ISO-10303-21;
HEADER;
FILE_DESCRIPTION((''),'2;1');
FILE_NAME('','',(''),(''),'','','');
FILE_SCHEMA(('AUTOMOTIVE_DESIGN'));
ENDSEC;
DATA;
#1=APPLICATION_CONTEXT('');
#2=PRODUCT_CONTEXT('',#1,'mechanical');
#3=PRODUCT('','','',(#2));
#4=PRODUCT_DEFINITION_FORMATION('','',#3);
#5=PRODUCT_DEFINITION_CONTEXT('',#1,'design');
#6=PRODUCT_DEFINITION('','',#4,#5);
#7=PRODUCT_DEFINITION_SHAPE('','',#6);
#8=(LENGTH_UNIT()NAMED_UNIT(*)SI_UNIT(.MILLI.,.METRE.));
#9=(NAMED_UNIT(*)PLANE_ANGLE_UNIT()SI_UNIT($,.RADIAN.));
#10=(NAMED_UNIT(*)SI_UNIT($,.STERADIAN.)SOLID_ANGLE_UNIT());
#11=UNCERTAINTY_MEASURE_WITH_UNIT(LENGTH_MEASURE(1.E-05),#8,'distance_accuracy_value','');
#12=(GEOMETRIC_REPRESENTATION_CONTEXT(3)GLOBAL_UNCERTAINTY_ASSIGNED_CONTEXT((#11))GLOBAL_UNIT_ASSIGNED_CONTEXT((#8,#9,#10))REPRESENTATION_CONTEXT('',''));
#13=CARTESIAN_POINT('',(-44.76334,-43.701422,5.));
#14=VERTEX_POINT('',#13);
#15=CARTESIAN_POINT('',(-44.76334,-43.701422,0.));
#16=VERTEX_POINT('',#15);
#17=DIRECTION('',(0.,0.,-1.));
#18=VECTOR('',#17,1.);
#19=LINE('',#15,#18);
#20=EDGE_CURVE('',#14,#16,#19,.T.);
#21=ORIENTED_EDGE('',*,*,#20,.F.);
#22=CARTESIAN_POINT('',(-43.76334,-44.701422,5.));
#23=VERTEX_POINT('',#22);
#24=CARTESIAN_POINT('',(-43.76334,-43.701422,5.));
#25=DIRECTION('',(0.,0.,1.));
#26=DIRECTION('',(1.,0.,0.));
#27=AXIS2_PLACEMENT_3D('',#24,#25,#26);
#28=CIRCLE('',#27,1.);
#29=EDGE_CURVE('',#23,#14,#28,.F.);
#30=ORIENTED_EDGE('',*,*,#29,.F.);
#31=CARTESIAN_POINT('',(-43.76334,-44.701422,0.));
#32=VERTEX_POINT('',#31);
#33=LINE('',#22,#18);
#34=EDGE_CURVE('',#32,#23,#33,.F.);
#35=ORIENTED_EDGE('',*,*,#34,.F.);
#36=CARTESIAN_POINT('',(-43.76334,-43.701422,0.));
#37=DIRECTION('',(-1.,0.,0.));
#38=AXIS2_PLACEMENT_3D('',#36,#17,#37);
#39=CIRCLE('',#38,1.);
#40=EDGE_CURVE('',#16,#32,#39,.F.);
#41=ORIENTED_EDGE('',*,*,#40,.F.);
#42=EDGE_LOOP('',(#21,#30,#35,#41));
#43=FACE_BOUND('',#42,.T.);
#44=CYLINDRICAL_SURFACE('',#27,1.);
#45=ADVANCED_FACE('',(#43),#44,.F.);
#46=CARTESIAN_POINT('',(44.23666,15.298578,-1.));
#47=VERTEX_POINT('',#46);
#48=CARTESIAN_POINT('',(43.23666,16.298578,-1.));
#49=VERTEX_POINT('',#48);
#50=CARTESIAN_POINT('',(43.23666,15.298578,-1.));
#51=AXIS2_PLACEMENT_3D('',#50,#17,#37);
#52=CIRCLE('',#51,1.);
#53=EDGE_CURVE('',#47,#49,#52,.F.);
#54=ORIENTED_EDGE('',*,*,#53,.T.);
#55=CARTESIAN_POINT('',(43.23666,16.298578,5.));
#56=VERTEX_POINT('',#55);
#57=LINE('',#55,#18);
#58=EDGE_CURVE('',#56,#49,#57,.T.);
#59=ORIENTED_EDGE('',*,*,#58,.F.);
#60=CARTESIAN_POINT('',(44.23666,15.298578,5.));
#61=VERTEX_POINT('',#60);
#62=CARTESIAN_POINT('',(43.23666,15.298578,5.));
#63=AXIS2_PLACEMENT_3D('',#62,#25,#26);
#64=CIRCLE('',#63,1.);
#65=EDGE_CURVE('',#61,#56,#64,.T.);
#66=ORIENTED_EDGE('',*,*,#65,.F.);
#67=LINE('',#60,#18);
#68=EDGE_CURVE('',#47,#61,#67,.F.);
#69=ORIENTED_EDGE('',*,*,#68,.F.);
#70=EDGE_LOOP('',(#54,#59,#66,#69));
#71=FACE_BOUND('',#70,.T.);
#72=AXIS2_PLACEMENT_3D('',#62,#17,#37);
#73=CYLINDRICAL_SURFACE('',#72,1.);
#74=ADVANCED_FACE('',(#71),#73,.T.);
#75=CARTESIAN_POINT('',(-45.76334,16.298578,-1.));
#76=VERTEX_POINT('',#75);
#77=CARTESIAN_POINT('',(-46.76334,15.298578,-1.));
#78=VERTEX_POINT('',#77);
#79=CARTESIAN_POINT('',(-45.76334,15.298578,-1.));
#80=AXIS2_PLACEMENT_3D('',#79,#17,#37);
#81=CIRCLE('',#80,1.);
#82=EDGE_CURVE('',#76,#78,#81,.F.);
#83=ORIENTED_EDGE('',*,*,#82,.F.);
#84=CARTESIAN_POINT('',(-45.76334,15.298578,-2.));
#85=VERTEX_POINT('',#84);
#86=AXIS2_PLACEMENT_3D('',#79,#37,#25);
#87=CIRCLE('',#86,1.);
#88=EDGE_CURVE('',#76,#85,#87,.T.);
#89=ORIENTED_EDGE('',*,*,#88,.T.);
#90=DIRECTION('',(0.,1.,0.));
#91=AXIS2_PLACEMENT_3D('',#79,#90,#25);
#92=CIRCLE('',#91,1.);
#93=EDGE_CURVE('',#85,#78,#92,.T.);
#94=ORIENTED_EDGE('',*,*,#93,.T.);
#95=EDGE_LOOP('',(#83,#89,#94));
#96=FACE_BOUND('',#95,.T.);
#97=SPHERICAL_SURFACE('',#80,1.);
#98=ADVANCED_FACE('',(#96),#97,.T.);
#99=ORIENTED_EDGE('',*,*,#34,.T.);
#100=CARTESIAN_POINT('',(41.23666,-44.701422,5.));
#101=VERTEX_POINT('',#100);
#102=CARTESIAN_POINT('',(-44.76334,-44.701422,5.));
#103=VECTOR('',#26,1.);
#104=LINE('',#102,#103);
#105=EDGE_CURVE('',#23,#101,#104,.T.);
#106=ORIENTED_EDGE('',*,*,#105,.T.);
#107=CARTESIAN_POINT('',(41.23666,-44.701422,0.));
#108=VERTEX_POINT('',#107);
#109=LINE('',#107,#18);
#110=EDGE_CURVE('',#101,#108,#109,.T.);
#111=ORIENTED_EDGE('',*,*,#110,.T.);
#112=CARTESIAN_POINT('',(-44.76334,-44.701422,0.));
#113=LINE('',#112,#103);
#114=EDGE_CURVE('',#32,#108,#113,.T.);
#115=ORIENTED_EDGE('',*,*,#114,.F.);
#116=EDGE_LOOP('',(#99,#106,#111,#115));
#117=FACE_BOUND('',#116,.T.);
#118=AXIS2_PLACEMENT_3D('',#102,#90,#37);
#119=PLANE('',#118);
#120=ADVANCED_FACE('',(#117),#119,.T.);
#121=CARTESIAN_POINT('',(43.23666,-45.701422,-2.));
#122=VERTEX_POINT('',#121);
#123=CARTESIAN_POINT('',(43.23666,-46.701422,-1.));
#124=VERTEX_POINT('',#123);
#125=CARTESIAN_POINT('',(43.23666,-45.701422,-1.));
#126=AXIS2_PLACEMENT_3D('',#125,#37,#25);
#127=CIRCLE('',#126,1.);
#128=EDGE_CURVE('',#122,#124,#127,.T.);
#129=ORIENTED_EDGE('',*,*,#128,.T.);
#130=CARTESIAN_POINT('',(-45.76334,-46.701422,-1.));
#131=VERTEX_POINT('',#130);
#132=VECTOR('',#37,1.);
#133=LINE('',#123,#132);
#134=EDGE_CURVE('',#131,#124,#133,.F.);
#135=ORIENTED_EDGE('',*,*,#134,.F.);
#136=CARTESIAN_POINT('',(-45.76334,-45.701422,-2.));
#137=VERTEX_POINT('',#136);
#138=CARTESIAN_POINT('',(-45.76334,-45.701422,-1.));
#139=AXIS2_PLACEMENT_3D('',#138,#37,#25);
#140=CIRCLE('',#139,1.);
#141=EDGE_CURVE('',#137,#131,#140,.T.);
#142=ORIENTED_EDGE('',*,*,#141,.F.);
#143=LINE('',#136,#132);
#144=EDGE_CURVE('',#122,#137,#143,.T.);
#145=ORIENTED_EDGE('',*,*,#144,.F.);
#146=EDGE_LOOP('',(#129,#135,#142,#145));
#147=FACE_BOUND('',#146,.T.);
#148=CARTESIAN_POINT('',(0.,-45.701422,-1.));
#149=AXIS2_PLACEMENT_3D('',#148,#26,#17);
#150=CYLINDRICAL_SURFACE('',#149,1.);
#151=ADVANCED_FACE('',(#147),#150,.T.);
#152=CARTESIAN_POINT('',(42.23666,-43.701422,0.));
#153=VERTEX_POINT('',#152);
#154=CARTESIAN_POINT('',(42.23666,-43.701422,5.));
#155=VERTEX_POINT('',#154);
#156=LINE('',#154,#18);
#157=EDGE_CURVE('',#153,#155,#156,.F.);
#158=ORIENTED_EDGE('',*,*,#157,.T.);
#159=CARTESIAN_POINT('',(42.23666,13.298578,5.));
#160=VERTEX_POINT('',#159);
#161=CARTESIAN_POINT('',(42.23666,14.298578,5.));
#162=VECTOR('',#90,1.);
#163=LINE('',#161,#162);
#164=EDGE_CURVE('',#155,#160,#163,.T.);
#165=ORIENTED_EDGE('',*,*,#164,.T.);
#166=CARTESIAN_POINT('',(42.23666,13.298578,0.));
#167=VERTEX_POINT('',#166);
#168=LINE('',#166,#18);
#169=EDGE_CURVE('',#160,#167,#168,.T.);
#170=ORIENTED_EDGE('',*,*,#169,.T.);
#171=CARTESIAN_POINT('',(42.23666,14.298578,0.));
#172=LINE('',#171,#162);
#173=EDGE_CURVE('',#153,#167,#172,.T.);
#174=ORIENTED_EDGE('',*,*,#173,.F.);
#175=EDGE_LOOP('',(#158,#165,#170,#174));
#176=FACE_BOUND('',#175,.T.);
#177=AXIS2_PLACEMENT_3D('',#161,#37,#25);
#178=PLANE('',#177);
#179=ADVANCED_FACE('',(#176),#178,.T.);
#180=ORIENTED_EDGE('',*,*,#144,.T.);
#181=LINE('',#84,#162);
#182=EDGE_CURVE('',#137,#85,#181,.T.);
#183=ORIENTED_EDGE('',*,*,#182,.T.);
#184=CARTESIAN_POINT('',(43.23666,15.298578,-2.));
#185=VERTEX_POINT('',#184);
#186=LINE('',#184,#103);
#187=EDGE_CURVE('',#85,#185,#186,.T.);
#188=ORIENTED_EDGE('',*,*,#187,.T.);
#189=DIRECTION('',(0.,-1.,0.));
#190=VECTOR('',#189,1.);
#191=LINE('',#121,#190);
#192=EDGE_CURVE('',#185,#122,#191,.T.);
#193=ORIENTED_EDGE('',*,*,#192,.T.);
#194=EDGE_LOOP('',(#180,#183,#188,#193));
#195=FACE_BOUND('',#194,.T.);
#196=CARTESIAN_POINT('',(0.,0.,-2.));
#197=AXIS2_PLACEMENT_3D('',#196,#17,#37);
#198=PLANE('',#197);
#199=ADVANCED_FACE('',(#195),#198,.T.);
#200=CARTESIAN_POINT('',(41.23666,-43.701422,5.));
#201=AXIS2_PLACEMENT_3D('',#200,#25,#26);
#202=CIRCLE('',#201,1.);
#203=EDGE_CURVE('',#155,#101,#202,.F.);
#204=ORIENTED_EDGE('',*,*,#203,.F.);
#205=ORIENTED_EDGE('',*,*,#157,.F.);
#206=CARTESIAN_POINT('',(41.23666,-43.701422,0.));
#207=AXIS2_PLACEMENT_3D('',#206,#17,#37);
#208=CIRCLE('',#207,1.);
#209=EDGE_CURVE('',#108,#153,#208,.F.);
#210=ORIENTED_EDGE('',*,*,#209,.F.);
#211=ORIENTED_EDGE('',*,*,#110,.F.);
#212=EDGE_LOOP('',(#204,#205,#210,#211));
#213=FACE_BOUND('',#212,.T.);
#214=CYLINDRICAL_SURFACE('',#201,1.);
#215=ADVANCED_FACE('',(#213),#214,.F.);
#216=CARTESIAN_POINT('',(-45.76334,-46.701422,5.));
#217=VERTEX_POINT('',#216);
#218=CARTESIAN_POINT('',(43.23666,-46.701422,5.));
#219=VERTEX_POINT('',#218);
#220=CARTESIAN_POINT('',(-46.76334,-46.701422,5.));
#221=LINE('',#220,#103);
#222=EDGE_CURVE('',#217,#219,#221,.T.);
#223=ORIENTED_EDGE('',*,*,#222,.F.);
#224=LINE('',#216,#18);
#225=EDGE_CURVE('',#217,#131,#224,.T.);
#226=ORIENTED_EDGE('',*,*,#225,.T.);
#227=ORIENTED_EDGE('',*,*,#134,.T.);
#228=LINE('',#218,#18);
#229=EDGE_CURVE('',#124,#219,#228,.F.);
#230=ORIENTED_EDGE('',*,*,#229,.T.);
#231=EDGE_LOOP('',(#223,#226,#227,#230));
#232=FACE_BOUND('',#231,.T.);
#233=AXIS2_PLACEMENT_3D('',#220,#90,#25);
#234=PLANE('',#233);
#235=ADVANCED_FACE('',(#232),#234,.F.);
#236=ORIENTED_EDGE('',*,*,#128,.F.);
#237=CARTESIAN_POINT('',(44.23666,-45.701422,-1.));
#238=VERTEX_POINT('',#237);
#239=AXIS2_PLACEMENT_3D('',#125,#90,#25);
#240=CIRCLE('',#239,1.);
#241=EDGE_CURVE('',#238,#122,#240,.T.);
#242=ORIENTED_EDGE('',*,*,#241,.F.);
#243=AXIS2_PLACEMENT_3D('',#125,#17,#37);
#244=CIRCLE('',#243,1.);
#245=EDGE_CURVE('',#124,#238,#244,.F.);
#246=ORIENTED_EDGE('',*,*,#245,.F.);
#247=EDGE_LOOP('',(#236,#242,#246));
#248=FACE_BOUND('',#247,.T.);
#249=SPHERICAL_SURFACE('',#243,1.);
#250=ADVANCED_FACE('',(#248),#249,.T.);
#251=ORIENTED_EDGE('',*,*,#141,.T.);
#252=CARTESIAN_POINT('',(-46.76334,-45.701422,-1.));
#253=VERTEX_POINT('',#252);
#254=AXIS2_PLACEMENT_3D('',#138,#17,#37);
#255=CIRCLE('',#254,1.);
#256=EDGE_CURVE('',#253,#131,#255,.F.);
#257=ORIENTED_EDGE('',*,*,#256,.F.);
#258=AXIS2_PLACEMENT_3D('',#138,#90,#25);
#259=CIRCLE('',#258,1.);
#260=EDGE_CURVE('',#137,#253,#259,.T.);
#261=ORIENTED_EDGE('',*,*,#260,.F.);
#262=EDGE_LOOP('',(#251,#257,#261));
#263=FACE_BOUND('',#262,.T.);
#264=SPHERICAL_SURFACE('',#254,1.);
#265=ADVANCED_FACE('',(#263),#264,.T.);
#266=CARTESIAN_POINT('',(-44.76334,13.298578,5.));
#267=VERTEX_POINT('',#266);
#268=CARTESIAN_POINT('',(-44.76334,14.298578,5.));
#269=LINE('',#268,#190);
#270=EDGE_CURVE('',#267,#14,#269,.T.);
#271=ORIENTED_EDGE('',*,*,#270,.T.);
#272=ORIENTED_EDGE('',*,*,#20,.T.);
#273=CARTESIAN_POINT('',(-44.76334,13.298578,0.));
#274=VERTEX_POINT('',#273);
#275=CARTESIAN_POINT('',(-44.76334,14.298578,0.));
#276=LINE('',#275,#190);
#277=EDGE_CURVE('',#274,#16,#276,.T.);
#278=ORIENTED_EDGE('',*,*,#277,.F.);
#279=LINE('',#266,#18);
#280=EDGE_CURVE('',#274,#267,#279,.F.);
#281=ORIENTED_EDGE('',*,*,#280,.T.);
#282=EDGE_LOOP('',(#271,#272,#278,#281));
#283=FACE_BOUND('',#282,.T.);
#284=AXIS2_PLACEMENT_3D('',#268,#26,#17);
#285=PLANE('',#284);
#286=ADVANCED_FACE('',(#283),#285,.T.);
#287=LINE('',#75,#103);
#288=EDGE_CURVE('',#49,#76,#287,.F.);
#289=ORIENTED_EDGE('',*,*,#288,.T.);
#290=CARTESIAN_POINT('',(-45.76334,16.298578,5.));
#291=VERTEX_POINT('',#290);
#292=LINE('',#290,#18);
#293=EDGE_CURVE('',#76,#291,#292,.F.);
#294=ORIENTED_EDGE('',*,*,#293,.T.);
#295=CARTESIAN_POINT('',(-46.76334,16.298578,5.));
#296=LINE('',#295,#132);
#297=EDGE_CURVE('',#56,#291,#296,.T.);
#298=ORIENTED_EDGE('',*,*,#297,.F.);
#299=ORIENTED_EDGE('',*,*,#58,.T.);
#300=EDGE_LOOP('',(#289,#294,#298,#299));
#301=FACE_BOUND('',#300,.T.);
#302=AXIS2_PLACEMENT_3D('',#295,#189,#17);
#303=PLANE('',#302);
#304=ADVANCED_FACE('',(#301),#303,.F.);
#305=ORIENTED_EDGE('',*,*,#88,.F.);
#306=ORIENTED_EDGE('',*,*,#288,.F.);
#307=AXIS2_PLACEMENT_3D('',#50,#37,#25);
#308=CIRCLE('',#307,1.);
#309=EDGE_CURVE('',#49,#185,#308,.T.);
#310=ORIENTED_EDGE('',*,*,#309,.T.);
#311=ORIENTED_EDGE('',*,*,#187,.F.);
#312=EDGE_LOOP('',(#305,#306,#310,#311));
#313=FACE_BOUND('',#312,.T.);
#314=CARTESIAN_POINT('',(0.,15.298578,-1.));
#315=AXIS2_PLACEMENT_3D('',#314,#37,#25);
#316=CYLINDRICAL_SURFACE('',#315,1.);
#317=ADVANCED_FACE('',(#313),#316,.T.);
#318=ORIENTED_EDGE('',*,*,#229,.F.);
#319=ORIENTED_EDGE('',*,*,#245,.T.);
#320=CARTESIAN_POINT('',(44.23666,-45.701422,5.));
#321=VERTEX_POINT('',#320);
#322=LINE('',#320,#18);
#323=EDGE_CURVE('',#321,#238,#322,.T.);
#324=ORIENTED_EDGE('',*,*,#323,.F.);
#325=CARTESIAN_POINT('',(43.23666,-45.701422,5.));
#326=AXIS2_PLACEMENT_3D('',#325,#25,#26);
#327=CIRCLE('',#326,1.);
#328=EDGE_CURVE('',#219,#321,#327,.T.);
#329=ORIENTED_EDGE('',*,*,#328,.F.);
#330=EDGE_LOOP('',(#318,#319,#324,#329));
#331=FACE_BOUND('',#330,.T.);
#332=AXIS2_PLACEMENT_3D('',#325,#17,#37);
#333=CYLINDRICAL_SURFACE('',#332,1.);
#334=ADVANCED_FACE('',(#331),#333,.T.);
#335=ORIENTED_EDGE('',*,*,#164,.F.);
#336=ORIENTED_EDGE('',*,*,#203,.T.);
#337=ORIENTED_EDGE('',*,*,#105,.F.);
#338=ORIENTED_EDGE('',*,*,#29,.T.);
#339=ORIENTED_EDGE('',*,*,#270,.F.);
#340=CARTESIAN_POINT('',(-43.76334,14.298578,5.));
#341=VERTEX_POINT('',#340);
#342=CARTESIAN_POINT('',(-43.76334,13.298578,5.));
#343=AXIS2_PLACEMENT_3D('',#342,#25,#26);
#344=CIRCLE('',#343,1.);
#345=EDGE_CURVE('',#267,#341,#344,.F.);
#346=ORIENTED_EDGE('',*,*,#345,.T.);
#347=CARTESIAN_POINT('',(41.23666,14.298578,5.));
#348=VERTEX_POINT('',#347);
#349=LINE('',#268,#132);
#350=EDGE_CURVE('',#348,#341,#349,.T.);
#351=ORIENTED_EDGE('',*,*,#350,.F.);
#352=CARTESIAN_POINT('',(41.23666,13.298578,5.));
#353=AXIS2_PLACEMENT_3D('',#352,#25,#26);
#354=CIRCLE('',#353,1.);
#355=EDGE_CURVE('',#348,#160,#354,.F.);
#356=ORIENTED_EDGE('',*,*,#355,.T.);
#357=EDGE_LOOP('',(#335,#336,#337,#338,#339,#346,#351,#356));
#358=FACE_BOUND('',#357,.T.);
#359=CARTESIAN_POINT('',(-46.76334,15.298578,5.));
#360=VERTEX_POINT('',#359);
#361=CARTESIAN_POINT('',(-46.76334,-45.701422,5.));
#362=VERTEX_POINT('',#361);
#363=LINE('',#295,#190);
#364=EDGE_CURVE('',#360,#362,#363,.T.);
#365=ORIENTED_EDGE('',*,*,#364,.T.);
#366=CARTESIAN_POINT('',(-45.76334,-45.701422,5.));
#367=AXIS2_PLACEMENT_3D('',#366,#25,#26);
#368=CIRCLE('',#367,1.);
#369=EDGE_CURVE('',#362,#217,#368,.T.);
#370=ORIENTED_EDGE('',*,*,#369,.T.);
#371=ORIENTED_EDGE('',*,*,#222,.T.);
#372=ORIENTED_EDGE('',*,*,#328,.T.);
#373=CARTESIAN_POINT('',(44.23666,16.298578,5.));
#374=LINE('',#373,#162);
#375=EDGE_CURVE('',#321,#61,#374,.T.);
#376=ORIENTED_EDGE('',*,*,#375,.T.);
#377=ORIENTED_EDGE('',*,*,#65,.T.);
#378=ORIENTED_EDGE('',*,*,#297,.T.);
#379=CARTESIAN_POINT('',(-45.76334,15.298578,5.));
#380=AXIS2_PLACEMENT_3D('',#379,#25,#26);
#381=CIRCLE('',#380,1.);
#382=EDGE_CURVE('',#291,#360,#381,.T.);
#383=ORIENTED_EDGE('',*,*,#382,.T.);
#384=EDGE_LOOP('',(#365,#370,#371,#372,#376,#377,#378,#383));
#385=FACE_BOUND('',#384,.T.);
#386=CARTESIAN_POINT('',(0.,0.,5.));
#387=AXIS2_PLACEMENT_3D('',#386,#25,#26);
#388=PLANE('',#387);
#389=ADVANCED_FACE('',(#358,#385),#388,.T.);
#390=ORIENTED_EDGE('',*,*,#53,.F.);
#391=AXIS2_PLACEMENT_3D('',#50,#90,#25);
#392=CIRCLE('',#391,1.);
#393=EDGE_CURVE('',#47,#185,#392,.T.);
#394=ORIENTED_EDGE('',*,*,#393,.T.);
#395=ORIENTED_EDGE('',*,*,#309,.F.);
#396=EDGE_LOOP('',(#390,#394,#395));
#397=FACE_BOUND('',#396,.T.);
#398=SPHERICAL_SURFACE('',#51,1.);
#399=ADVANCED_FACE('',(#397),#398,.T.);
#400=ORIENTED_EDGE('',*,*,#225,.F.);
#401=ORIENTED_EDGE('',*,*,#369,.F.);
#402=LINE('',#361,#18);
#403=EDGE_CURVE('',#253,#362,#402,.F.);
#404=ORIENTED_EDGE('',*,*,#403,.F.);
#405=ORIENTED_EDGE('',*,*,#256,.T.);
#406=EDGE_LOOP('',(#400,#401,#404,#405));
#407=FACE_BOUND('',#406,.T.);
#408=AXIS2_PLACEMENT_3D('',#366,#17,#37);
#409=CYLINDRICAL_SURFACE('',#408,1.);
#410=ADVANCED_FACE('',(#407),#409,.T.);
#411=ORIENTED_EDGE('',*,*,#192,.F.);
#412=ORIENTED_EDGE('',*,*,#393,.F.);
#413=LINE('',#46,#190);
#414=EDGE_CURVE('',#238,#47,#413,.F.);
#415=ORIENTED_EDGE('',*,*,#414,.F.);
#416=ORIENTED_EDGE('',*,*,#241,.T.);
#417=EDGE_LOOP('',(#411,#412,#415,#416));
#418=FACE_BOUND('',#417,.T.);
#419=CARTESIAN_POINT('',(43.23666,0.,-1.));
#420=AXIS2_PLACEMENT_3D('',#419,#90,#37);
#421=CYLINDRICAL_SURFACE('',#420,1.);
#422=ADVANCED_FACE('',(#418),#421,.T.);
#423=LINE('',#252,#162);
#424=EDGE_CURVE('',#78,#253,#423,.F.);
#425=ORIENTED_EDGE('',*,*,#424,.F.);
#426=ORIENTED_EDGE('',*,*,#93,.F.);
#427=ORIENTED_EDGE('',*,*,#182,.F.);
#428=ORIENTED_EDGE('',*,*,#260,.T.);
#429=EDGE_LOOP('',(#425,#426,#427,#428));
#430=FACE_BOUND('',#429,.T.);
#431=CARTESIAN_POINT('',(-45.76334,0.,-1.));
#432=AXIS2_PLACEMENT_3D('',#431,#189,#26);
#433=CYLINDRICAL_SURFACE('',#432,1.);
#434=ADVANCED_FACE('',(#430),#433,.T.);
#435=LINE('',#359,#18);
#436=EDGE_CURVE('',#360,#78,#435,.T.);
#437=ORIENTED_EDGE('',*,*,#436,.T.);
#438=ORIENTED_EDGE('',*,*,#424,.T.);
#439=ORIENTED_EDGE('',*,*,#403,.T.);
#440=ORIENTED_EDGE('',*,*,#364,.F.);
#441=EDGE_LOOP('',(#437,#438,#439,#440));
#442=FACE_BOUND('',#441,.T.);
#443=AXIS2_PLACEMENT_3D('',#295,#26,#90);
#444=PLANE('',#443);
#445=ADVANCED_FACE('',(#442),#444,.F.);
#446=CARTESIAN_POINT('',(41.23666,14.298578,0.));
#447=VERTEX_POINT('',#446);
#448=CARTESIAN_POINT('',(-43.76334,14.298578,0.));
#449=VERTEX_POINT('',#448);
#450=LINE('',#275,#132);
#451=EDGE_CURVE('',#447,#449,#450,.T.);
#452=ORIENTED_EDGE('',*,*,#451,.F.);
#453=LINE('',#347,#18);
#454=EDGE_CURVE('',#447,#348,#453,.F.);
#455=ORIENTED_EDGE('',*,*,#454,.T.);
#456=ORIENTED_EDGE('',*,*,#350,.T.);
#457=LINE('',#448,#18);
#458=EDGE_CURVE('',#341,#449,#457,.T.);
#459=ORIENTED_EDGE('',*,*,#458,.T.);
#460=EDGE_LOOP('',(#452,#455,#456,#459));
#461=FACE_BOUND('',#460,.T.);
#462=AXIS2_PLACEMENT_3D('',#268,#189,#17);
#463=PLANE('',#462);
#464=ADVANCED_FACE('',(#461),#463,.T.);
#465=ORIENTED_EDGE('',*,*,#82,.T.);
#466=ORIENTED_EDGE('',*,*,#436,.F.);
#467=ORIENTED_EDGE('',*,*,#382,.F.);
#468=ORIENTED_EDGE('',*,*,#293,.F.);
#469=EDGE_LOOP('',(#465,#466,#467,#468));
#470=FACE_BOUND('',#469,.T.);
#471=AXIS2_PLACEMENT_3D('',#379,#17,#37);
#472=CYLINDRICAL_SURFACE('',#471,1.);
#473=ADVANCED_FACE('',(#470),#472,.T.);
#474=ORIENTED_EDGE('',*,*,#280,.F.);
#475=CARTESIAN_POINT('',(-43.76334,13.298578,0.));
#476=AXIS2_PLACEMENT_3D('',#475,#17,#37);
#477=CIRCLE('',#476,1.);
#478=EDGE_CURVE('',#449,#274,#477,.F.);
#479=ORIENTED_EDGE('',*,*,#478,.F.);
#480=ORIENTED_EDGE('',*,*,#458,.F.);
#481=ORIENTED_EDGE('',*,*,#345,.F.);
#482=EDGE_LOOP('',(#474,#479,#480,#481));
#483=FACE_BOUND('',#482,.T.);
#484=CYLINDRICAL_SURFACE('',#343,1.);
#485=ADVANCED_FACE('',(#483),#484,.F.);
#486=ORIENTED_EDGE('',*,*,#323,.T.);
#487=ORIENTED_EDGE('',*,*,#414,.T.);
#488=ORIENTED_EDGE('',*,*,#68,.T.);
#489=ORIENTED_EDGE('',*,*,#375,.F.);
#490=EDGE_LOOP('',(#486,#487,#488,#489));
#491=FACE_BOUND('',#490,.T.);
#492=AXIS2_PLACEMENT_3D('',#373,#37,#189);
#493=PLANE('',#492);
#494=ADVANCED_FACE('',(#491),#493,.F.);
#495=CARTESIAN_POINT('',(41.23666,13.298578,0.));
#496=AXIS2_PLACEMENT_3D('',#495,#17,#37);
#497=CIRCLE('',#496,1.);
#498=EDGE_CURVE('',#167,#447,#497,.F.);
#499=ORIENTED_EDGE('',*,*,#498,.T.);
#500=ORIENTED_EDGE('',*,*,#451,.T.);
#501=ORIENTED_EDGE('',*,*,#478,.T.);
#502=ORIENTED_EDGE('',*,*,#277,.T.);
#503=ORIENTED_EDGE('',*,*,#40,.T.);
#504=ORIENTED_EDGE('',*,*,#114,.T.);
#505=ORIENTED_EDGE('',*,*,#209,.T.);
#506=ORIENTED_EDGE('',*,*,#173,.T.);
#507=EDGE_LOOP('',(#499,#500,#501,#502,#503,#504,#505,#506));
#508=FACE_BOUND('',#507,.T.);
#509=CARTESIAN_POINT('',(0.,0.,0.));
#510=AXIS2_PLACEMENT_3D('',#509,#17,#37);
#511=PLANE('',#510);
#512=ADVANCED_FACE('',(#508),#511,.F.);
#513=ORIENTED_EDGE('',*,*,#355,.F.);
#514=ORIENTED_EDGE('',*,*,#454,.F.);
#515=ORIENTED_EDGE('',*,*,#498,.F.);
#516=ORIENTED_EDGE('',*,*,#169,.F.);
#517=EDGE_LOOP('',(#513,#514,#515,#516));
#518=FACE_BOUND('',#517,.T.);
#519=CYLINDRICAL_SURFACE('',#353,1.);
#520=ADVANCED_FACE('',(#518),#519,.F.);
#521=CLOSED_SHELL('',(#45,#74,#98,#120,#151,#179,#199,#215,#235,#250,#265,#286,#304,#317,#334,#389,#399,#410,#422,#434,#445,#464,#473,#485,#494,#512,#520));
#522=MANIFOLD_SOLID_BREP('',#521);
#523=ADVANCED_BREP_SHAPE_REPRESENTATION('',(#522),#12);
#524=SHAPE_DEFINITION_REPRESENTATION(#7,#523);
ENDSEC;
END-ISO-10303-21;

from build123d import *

# Parameters (mm, degrees)
ESBO_O1_W                = 91
ESBO_O1_H                = 63
ESBO_O1_W_2              = 87
ESBO_O1_H_2              = 59
RESSALTO_EXTRUS_O1_DEPTH = 5
ESBO_O2_W                = 91
ESBO_O2_H                = 63
RESSALTO_EXTRUS_O2_DEPTH = 2
FILETE6_R                = 1
FILETE7_R                = 1
FILETE10_R               = 1
FILETE11_R               = 1
FILETE12_R               = 1


with BuildPart() as part:
    # Esboço1 → Ressalto-extrusão1 (new body)
    with BuildSketch(Plane.XY):
        with Locations((-1.263340114, -15.201421801)):
            Rectangle(ESBO_O1_W, ESBO_O1_H)
        with Locations((-1.263340114, -15.201421801)):
            Rectangle(ESBO_O1_W_2, ESBO_O1_H_2, mode=Mode.SUBTRACT)
    extrude(amount=RESSALTO_EXTRUS_O1_DEPTH)

    # Esboço2 → Ressalto-extrusão2 (add)
    with BuildSketch(Plane(origin=(0, 0, 0), x_dir=(-1, 0, 0), z_dir=(0, 0, -1))):
        with Locations((1.263340114, -15.201421801)):
            Rectangle(ESBO_O2_W, ESBO_O2_H)
    extrude(amount=RESSALTO_EXTRUS_O2_DEPTH)

    # Filete6
    filete6_edges = [part.edges().sort_by_distance(p)[0] for p in [
        (42.236659886, 14.298578199, 2.5),
    ]]
    fillet(filete6_edges, radius=FILETE6_R)

    # Filete7
    filete7_edges = [part.edges().sort_by_distance(p)[0] for p in [
        (-44.763340114, 14.298578199, 2.5),
        (-44.763340114, -44.701421801, 2.5),
        (42.236659886, -44.701421801, 2.5),
    ]]
    fillet(filete7_edges, radius=FILETE7_R)

    # Filete10
    filete10_edges = [part.edges().sort_by_distance(p)[0] for p in [
        (-46.763340114, -46.701421801, 1.5),
    ]]
    fillet(filete10_edges, radius=FILETE10_R)

    # Filete11
    filete11_edges = [part.edges().sort_by_distance(p)[0] for p in [
        (-46.763340114, 16.298578199, 1.5),
        (44.236659886, 16.298578199, 1.5),
        (44.236659886, -46.701421801, 1.5),
    ]]
    fillet(filete11_edges, radius=FILETE11_R)

    # Filete12
    filete12_edges = [part.edges().sort_by_distance(p)[0] for p in [
        (-46.763340114, -15.201421801, -2),
        (-46.470446895, -46.408528582, -2),
        (44.236659886, -15.201421801, -2),
        (-1.263340114, -46.701421801, -2),
        (-1.263340114, 16.298578199, -2),
        (-46.470446895, 16.00568498, -2),
        (43.943766667, 16.00568498, -2),
        (43.943766667, -46.408528582, -2),
    ]]
    fillet(filete12_edges, radius=FILETE12_R)


solid = part.part
